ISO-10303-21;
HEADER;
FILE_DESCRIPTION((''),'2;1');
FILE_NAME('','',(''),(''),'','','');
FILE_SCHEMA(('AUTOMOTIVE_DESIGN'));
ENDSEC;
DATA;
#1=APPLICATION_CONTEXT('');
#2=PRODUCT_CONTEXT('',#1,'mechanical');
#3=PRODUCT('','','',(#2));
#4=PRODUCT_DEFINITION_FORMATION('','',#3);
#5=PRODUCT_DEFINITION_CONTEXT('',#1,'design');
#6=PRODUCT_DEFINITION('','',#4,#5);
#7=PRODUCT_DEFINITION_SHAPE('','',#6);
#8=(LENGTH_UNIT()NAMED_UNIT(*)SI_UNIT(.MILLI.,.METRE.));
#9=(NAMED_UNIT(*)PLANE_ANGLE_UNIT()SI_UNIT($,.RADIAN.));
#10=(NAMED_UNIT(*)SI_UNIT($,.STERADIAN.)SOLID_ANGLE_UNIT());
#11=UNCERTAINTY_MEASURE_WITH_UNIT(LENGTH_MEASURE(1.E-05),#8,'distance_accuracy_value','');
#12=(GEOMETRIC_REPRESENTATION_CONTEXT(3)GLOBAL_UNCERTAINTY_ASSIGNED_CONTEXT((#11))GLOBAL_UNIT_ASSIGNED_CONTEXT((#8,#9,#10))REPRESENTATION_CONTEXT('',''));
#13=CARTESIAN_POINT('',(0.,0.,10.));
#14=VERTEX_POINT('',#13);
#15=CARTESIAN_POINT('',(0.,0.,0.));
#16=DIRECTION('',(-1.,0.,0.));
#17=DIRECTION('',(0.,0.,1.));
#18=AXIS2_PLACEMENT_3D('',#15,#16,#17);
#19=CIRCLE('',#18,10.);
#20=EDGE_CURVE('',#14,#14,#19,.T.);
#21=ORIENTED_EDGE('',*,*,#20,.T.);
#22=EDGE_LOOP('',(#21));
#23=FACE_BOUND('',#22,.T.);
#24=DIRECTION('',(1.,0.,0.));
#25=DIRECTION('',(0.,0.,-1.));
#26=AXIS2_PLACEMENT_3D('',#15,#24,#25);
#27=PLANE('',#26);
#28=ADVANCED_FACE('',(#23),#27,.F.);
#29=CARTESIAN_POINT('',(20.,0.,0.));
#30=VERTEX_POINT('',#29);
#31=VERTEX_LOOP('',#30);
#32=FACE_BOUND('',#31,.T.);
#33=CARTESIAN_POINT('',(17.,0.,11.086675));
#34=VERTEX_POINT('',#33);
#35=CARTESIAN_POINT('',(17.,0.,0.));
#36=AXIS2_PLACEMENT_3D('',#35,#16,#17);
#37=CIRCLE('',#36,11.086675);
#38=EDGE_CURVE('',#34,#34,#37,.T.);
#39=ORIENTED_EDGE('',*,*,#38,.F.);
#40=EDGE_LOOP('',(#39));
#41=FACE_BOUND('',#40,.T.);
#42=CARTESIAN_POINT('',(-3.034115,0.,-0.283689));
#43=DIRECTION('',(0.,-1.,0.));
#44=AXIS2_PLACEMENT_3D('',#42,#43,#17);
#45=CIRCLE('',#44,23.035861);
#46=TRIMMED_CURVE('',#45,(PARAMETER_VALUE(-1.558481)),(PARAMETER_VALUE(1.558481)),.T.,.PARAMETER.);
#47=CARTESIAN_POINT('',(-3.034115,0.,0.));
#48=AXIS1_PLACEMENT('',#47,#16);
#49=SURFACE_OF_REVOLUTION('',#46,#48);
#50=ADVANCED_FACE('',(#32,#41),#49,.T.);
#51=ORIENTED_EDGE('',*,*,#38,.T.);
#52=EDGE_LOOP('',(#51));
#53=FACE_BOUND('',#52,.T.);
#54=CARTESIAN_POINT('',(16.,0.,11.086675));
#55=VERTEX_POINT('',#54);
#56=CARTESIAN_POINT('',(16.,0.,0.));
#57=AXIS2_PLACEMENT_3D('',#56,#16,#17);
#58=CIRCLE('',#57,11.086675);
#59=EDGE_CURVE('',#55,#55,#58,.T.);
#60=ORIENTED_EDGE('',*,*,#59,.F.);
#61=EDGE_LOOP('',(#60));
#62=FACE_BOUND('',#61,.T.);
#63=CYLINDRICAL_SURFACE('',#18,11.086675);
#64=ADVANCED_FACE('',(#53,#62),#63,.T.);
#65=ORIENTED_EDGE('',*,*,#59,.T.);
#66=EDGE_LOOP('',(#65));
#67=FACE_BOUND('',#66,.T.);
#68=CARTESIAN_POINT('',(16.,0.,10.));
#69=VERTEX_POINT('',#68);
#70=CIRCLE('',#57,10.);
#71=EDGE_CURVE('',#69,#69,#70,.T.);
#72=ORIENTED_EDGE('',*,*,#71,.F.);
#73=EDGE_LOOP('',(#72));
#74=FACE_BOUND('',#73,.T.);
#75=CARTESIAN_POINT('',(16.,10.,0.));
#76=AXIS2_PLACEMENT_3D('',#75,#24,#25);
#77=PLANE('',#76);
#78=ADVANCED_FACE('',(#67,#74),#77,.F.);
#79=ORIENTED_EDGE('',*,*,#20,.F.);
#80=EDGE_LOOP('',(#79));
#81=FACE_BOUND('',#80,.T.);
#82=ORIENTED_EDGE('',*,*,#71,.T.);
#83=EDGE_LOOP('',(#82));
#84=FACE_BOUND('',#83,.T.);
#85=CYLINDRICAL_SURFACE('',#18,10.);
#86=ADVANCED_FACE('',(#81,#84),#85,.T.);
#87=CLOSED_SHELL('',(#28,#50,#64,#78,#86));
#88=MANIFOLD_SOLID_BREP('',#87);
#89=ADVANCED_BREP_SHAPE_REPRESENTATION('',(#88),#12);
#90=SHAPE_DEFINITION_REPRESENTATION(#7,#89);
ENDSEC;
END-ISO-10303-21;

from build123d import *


with BuildPart() as part:
    # Sketch1 → Revolve1 (revolve)
    with BuildSketch(Plane.XY):
        with BuildLine():
            Line((0, 0), (0, 10))
            Line((0, 10), (16, 10))
            Line((16, 10), (16, 11.086674985))
            Line((16, 11.086674985), (17, 11.086674985))
            ThreePointArc((17, 11.086674985), (19.202042492, 5.733306756), (20, 0))
            Line((20, 0), (0, 0))
        make_face()
    revolve(axis=Axis((0, 0, 0), (1, 0, 0)))


solid = part.part
